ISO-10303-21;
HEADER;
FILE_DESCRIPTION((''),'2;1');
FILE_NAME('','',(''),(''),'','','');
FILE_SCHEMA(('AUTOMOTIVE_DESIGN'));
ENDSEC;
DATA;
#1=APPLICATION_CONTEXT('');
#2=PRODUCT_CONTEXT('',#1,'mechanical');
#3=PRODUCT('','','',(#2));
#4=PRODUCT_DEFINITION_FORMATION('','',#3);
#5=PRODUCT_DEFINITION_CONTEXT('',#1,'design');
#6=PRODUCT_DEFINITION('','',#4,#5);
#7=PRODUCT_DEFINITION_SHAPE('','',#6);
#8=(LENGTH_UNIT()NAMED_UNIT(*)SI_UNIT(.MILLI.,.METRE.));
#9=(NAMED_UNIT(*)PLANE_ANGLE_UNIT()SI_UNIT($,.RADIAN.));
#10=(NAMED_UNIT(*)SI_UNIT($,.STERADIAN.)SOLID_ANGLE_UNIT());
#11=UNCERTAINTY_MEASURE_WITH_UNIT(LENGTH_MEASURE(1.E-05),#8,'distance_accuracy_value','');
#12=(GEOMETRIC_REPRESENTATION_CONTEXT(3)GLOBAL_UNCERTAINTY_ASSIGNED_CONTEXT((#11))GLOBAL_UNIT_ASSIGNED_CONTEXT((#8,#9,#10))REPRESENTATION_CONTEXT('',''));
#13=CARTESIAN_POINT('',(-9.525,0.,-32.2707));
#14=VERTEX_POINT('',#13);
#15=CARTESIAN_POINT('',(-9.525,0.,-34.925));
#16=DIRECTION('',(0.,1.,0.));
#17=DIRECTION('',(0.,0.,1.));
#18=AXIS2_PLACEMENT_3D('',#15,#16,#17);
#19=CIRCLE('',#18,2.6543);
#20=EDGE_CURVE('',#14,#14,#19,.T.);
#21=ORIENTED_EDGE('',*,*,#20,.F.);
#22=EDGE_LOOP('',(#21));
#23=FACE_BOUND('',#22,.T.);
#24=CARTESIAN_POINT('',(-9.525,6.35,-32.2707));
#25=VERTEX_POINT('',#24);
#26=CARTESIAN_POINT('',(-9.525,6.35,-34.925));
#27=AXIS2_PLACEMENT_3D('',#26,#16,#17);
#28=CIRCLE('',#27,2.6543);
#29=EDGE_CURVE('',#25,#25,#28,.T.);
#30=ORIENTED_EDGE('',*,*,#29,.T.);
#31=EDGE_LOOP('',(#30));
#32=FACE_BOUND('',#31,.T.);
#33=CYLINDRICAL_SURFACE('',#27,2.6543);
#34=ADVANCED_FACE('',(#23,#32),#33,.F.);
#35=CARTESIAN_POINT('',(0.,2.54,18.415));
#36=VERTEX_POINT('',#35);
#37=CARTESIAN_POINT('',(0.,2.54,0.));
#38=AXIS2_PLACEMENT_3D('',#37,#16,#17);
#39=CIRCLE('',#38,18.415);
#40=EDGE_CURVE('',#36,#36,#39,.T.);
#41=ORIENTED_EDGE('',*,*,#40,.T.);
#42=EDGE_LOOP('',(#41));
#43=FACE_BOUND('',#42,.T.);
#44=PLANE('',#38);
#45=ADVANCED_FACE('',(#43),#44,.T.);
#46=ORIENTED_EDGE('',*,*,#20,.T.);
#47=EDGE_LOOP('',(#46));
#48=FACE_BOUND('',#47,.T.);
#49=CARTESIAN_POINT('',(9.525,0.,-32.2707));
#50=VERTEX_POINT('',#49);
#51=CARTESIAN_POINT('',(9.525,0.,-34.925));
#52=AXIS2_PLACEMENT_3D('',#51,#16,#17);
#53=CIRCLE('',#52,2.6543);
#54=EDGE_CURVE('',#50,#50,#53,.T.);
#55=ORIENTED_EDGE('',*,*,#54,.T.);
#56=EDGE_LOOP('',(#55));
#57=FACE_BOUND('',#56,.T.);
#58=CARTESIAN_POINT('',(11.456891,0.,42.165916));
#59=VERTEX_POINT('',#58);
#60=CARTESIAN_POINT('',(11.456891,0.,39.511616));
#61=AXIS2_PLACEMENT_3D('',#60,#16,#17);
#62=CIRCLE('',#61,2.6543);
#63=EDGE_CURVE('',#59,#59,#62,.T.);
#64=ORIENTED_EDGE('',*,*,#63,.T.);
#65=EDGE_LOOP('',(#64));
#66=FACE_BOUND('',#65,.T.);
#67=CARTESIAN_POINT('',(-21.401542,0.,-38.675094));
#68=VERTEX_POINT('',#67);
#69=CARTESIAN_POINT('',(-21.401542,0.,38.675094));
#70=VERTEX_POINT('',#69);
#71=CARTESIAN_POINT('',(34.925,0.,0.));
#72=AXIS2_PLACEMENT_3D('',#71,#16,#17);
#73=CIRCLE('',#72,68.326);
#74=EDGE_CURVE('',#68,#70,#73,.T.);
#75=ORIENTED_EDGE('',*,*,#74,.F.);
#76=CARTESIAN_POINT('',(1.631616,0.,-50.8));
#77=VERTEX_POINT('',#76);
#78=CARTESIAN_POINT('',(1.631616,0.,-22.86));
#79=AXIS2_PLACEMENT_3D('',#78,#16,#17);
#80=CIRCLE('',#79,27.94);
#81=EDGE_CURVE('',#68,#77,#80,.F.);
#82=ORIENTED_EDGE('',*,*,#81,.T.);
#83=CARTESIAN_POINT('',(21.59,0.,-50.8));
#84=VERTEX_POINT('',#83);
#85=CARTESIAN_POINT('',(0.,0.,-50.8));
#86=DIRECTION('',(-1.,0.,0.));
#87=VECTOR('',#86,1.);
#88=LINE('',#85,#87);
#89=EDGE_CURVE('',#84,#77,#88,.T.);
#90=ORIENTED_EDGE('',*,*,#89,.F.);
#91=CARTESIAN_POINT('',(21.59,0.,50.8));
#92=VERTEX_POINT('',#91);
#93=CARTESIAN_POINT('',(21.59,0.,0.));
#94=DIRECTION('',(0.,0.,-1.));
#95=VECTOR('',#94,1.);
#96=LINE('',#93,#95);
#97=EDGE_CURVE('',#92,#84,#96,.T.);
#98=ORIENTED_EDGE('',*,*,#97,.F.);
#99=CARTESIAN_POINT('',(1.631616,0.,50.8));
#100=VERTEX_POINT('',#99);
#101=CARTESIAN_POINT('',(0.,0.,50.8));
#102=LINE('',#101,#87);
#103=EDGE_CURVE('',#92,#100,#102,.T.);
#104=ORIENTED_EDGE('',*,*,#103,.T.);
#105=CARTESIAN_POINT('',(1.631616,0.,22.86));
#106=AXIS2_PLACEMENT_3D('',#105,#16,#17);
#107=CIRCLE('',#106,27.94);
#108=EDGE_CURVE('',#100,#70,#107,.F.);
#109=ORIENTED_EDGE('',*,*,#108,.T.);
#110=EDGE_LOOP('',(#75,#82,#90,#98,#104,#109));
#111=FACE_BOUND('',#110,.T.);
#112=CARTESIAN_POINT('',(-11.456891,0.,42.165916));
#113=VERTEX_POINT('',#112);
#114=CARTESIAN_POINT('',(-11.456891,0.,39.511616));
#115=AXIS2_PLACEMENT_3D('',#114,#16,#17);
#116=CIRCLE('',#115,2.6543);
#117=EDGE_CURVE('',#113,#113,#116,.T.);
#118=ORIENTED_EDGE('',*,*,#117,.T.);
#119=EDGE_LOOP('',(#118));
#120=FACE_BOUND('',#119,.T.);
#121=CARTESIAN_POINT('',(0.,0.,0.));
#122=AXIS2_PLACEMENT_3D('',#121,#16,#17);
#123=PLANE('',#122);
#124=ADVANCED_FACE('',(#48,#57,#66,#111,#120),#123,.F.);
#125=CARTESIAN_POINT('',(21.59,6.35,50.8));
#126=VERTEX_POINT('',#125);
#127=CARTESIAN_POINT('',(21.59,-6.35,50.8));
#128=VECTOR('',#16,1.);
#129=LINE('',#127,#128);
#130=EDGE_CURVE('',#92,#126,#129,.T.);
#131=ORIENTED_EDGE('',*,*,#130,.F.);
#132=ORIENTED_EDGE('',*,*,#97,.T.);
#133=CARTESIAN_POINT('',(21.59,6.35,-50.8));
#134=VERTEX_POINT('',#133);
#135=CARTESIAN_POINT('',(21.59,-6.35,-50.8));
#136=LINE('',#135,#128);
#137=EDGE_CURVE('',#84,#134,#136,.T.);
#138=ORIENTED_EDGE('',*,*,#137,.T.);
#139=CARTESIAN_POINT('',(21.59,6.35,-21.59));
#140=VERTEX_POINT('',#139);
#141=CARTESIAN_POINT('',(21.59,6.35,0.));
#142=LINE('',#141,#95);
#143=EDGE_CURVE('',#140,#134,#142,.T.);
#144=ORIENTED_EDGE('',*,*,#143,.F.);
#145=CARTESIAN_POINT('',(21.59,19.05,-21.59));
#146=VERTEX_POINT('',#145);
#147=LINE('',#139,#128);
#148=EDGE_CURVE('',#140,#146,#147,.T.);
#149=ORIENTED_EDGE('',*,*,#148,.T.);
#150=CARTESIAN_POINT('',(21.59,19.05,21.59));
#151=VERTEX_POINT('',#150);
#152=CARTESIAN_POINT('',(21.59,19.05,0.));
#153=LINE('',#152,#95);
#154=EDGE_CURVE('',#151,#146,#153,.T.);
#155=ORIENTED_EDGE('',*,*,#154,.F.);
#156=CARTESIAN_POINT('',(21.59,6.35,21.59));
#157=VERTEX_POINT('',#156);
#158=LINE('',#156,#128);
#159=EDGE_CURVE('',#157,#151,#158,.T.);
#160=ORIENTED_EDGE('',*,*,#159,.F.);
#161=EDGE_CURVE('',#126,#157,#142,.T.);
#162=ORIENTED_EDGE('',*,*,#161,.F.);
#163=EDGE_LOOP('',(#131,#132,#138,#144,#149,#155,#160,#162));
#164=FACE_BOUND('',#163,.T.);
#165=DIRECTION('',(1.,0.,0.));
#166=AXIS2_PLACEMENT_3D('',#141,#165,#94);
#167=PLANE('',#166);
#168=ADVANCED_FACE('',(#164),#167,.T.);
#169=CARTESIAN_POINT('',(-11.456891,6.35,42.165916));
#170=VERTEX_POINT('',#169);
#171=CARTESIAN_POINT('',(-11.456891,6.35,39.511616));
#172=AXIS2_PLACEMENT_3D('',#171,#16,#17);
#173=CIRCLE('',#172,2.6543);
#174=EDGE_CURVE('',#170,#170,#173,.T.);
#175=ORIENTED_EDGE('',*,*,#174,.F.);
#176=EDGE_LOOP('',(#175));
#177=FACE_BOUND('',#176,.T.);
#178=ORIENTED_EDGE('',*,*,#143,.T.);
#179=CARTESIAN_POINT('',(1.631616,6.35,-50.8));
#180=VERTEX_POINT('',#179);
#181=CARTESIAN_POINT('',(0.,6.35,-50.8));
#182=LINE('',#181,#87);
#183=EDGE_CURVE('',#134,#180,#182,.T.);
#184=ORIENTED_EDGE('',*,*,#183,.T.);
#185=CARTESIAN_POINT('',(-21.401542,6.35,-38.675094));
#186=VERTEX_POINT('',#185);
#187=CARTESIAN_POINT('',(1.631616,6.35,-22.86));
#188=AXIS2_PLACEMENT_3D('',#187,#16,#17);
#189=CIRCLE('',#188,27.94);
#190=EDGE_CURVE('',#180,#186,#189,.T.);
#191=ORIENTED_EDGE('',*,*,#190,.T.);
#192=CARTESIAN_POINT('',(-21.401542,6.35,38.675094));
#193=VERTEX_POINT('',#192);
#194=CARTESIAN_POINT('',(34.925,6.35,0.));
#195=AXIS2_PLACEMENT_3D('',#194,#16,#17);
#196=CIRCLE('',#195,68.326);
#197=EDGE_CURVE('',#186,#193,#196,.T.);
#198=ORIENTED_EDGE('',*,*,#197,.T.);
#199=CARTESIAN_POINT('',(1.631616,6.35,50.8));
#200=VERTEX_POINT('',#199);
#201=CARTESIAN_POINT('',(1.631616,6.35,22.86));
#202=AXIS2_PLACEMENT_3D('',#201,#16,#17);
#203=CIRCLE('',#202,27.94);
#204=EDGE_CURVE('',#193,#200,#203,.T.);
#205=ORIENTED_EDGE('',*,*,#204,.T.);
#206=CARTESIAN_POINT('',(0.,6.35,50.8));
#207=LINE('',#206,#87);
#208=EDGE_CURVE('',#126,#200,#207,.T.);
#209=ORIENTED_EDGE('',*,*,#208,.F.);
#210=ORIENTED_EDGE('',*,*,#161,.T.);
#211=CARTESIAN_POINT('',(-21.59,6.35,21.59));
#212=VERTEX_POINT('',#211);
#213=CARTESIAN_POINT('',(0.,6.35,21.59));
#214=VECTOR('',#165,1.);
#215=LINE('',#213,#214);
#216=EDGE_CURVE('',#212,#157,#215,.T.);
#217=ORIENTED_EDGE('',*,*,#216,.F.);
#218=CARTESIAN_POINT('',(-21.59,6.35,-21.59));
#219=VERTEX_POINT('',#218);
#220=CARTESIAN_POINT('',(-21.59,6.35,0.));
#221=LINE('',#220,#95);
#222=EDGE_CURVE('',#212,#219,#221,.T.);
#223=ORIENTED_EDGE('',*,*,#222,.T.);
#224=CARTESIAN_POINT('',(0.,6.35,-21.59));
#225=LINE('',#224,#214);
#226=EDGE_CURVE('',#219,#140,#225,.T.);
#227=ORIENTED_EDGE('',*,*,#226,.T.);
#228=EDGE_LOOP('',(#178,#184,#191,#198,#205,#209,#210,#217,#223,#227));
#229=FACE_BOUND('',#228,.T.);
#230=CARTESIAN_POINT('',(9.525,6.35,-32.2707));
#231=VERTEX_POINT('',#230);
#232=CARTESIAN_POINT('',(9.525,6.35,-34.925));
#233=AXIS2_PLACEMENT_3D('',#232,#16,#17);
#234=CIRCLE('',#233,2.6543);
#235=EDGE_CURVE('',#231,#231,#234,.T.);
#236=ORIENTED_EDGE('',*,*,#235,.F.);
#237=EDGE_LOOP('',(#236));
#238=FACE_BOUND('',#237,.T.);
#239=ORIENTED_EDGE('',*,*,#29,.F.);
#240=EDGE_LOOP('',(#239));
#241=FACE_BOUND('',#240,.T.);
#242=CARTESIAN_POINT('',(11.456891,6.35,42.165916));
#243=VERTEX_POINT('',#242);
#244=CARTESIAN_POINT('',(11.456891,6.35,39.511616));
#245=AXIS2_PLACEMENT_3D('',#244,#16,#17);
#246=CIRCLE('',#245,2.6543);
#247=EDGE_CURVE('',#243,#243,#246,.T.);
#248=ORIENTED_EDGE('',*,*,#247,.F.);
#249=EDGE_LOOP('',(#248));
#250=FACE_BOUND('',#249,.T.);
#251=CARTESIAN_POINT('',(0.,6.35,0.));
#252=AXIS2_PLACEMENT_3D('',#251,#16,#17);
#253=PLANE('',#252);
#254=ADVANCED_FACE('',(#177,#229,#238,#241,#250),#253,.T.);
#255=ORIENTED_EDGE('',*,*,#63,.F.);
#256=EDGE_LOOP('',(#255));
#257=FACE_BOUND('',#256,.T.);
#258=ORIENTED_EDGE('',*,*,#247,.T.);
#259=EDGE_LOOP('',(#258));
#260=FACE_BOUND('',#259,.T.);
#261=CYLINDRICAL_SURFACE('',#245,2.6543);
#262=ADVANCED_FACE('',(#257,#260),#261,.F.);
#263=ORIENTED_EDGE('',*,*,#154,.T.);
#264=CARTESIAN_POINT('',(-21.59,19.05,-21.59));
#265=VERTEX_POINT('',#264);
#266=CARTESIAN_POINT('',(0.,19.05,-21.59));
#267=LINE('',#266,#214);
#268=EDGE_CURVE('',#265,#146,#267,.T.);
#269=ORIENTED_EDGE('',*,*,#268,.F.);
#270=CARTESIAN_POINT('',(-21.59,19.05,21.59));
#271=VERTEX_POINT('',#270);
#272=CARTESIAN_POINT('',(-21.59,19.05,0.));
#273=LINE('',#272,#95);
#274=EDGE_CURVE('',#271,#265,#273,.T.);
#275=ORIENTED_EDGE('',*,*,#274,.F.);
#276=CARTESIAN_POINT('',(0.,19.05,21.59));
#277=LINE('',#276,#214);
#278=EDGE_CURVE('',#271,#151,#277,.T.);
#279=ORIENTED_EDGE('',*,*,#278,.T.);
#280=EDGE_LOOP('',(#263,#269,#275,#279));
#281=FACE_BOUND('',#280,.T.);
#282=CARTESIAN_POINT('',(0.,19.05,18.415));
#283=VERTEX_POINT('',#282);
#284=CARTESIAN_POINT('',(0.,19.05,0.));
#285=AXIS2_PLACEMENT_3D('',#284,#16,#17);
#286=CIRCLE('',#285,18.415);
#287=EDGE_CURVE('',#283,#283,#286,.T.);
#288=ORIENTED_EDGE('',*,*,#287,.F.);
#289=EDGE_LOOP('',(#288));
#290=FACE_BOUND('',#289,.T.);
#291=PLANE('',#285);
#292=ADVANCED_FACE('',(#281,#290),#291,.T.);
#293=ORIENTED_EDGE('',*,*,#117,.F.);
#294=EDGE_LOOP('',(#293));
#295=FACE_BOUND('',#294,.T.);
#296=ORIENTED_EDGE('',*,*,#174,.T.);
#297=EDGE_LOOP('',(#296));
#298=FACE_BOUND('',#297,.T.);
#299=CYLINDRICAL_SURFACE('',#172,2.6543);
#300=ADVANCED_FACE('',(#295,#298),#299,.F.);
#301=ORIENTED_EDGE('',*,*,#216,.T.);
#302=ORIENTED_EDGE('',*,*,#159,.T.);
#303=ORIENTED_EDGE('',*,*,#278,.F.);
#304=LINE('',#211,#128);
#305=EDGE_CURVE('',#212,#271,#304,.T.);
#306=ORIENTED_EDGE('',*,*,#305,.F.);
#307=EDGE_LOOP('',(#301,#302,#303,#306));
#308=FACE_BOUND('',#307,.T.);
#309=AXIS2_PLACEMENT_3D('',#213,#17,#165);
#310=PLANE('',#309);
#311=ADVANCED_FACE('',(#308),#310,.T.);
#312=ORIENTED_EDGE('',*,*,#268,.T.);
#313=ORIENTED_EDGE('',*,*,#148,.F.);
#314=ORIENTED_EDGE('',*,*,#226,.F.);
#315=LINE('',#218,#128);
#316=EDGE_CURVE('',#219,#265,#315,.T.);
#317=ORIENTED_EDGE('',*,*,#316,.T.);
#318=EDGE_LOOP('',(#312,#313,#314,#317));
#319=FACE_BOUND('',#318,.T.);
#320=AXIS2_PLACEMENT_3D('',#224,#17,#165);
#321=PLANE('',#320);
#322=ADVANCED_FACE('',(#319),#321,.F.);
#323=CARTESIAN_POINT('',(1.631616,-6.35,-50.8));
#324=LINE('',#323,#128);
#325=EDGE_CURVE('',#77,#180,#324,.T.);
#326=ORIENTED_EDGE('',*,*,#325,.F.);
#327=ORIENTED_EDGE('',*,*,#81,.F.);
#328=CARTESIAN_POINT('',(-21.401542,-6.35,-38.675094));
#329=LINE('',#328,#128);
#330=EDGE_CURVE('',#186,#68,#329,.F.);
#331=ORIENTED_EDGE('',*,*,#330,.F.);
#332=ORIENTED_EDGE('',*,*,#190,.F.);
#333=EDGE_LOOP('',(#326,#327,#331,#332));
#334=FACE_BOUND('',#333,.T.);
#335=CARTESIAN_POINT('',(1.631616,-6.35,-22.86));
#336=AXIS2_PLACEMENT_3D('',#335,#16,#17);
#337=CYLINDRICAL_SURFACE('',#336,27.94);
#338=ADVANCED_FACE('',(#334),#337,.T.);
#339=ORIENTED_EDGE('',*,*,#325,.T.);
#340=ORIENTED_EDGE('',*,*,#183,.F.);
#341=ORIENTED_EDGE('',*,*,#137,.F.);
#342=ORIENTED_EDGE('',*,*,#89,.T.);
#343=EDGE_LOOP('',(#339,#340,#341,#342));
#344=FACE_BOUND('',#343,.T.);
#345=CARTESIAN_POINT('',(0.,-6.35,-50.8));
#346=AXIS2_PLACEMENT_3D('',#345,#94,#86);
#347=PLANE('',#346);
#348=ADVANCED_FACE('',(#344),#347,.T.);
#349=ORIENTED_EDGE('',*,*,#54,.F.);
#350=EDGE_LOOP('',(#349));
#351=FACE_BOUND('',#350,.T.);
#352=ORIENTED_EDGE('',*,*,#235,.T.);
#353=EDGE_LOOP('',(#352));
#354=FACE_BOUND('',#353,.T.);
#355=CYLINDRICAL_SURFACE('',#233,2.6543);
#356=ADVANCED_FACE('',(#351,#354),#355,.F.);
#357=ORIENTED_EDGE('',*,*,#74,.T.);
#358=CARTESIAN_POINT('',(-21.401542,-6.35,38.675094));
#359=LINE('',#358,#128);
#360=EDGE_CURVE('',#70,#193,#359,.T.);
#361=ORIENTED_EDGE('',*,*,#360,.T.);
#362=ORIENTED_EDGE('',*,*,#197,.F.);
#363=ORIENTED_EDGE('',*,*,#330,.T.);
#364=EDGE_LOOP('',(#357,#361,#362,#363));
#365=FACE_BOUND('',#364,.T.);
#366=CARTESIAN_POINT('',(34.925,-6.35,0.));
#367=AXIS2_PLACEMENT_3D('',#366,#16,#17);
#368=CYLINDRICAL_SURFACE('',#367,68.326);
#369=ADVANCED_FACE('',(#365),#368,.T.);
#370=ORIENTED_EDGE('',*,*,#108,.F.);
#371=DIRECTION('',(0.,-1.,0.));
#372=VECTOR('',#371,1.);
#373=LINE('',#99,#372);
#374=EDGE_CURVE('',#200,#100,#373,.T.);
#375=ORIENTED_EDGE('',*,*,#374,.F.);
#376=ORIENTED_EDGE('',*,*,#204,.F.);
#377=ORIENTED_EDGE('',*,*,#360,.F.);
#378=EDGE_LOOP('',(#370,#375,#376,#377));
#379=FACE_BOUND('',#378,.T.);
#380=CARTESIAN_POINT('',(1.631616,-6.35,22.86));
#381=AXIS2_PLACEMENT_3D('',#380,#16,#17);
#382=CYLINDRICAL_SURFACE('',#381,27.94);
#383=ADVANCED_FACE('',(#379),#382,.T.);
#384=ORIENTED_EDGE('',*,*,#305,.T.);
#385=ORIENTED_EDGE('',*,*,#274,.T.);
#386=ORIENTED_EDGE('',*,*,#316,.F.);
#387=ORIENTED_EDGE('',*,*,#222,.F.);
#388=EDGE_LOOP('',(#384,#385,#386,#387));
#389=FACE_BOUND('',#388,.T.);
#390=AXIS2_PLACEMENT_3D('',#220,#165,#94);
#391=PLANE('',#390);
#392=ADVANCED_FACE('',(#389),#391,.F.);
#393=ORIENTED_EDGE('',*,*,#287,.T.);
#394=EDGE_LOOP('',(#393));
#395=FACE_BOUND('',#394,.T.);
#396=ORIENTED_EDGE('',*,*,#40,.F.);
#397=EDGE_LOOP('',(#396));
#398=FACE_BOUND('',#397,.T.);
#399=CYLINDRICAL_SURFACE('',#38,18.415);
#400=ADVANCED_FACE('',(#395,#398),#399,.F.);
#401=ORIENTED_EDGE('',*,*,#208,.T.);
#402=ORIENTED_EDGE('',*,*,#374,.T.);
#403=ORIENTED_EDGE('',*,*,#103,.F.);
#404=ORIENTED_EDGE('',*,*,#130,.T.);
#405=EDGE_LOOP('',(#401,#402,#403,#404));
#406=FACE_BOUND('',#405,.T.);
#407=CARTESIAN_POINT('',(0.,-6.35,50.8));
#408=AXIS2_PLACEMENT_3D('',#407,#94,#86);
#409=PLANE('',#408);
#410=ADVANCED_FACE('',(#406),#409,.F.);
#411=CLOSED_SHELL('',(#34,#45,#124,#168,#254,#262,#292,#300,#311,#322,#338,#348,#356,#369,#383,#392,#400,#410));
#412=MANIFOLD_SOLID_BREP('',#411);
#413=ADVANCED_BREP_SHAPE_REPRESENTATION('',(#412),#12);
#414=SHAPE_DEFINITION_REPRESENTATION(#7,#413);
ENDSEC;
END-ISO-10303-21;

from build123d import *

# Parameters (mm, degrees)
SKETCH2_R                  = 57.15
BOSS_EXTRUDE1_DEPTH        = 19.05
SKETCH3_R                  = 18.415
CUT_EXTRUDE1_DEPTH         = 16.51
SKETCH3_4_R                = 57.15
SKETCH3_4_W                = 43.18
SKETCH3_4_H                = 43.18
CUT_EXTRUDE2_DEPTH         = 12.7
SKETCH5_W                  = 114.3
SKETCH5_H                  = 114.3
CUT_EXTRUDE3_DEPTH         = 12.7
FILLET1_R                  = 27.94
F_4_0_209_DIAMETER_HOLE1_D = 5.3086


with BuildPart() as part:
    # Sketch2 → Boss-Extrude1 (new body)
    with BuildSketch(Plane(origin=(0, 0, 0), x_dir=(1, 0, 0), z_dir=(0, 1, 0))):
        with BuildLine():
            Line((-57.15, 57.15), (-57.15, -6.4e-08))
            ThreePointArc((-57.15, -6.4e-08), (-40.411152555, 40.411152534), (3.4e-08, 57.15))
            Line((3.4e-08, 57.15), (-57.15, 57.15))
        make_face()
        Circle(SKETCH2_R)
        with BuildLine():
            ThreePointArc((3.4e-08, 57.15), (40.411152557, 40.411152533), (57.15, 0))
            Line((57.15, 0), (57.15, 57.15))
            Line((57.15, 57.15), (3.4e-08, 57.15))
        make_face()
        with BuildLine():
            ThreePointArc((57.15, 0), (40.411152582, -40.411152508), (1.05e-07, -57.15))
            Line((1.05e-07, -57.15), (57.15, -57.15))
            Line((57.15, -57.15), (57.15, 0))
        make_face()
        with BuildLine():
            Line((-57.15, -6.4e-08), (-57.15, -57.15))
            Line((-57.15, -57.15), (1.05e-07, -57.15))
            ThreePointArc((1.05e-07, -57.15), (-40.411152485, -40.411152604), (-57.15, -6.4e-08))
        make_face()
    extrude(amount=BOSS_EXTRUDE1_DEPTH)

    # Sketch3 → Cut-Extrude1 (cut)
    with BuildSketch(Plane(origin=(0, 19.05, 0), x_dir=(1, 0, 0), z_dir=(0, 1, 0))):
        with Locations(Location((0, 0, 0), (0, 0, 270))):
            Circle(SKETCH3_R)
    extrude(amount=-CUT_EXTRUDE1_DEPTH, mode=Mode.SUBTRACT)

    # Sketch3<4> → Cut-Extrude2 (cut)
    with BuildSketch(Plane(origin=(0, 19.05, 0), x_dir=(1, 0, 0), z_dir=(0, 1, 0))):
        Circle(SKETCH3_4_R)
        Rectangle(SKETCH3_4_W, SKETCH3_4_H, mode=Mode.SUBTRACT)
        with BuildLine():
            Line((-57.15, -57.15), (9.5e-08, -57.15))
            ThreePointArc((9.5e-08, -57.15), (-40.411152547, -40.411152543), (-57.15, 1.01e-07))
            Line((-57.15, 1.01e-07), (-57.15, -57.15))
        make_face()
        with BuildLine():
            ThreePointArc((-57.15, 1.01e-07), (-40.411152509, 40.411152581), (0, 57.15))
            Line((0, 57.15), (-57.15, 57.15))
            Line((-57.15, 57.15), (-57.15, 1.01e-07))
        make_face()
        with BuildLine():
            ThreePointArc((0, 57.15), (40.411152545, 40.411152545), (57.15, 0))
            Line((57.15, 0), (57.15, 57.15))
            Line((57.15, 57.15), (0, 57.15))
        make_face()
        with BuildLine():
            Line((57.15, -57.15), (57.15, 0))
            ThreePointArc((57.15, 0), (40.411152578, -40.411152511), (9.5e-08, -57.15))
            Line((9.5e-08, -57.15), (57.15, -57.15))
        make_face()
    extrude(amount=-CUT_EXTRUDE2_DEPTH, mode=Mode.SUBTRACT)

    # Sketch5 → Cut-Extrude3 (cut)
    with BuildSketch(Plane(origin=(0, 6.35, 0), x_dir=(1, 0, 0), z_dir=(0, 1, 0))):
        Rectangle(SKETCH5_W, SKETCH5_H)
        with BuildLine():
            Line((21.59, 50.8), (21.59, -50.8))
            Line((21.59, -50.8), (-10.767475048, -50.8))
            ThreePointArc((-10.767475048, -50.8), (-33.401, 0), (-10.767475048, 50.8))
            Line((-10.767475048, 50.8), (21.59, 50.8))
        make_face(mode=Mode.SUBTRACT)
    extrude(amount=-CUT_EXTRUDE3_DEPTH, mode=Mode.SUBTRACT)

    # Fillet1
    fillet1_edges = [part.edges().sort_by_distance(p)[0] for p in [
        (-10.767475048, 3.175, -50.8),
        (-10.767475048, 3.175, 50.8),
    ]]
    fillet(fillet1_edges, radius=FILLET1_R)

    # #4 (0.209) Diameter Hole1 (through all)
    with Locations(Plane(origin=(0, 6.35, 0), x_dir=(1, 0, 0), z_dir=(0, 1, 0))):
        with Locations((-9.525, 34.925), (9.525, 34.925), (11.456890961, -39.511615824), (-11.456890961, -39.511615824)):
            Hole(F_4_0_209_DIAMETER_HOLE1_D / 2)


solid = part.part
